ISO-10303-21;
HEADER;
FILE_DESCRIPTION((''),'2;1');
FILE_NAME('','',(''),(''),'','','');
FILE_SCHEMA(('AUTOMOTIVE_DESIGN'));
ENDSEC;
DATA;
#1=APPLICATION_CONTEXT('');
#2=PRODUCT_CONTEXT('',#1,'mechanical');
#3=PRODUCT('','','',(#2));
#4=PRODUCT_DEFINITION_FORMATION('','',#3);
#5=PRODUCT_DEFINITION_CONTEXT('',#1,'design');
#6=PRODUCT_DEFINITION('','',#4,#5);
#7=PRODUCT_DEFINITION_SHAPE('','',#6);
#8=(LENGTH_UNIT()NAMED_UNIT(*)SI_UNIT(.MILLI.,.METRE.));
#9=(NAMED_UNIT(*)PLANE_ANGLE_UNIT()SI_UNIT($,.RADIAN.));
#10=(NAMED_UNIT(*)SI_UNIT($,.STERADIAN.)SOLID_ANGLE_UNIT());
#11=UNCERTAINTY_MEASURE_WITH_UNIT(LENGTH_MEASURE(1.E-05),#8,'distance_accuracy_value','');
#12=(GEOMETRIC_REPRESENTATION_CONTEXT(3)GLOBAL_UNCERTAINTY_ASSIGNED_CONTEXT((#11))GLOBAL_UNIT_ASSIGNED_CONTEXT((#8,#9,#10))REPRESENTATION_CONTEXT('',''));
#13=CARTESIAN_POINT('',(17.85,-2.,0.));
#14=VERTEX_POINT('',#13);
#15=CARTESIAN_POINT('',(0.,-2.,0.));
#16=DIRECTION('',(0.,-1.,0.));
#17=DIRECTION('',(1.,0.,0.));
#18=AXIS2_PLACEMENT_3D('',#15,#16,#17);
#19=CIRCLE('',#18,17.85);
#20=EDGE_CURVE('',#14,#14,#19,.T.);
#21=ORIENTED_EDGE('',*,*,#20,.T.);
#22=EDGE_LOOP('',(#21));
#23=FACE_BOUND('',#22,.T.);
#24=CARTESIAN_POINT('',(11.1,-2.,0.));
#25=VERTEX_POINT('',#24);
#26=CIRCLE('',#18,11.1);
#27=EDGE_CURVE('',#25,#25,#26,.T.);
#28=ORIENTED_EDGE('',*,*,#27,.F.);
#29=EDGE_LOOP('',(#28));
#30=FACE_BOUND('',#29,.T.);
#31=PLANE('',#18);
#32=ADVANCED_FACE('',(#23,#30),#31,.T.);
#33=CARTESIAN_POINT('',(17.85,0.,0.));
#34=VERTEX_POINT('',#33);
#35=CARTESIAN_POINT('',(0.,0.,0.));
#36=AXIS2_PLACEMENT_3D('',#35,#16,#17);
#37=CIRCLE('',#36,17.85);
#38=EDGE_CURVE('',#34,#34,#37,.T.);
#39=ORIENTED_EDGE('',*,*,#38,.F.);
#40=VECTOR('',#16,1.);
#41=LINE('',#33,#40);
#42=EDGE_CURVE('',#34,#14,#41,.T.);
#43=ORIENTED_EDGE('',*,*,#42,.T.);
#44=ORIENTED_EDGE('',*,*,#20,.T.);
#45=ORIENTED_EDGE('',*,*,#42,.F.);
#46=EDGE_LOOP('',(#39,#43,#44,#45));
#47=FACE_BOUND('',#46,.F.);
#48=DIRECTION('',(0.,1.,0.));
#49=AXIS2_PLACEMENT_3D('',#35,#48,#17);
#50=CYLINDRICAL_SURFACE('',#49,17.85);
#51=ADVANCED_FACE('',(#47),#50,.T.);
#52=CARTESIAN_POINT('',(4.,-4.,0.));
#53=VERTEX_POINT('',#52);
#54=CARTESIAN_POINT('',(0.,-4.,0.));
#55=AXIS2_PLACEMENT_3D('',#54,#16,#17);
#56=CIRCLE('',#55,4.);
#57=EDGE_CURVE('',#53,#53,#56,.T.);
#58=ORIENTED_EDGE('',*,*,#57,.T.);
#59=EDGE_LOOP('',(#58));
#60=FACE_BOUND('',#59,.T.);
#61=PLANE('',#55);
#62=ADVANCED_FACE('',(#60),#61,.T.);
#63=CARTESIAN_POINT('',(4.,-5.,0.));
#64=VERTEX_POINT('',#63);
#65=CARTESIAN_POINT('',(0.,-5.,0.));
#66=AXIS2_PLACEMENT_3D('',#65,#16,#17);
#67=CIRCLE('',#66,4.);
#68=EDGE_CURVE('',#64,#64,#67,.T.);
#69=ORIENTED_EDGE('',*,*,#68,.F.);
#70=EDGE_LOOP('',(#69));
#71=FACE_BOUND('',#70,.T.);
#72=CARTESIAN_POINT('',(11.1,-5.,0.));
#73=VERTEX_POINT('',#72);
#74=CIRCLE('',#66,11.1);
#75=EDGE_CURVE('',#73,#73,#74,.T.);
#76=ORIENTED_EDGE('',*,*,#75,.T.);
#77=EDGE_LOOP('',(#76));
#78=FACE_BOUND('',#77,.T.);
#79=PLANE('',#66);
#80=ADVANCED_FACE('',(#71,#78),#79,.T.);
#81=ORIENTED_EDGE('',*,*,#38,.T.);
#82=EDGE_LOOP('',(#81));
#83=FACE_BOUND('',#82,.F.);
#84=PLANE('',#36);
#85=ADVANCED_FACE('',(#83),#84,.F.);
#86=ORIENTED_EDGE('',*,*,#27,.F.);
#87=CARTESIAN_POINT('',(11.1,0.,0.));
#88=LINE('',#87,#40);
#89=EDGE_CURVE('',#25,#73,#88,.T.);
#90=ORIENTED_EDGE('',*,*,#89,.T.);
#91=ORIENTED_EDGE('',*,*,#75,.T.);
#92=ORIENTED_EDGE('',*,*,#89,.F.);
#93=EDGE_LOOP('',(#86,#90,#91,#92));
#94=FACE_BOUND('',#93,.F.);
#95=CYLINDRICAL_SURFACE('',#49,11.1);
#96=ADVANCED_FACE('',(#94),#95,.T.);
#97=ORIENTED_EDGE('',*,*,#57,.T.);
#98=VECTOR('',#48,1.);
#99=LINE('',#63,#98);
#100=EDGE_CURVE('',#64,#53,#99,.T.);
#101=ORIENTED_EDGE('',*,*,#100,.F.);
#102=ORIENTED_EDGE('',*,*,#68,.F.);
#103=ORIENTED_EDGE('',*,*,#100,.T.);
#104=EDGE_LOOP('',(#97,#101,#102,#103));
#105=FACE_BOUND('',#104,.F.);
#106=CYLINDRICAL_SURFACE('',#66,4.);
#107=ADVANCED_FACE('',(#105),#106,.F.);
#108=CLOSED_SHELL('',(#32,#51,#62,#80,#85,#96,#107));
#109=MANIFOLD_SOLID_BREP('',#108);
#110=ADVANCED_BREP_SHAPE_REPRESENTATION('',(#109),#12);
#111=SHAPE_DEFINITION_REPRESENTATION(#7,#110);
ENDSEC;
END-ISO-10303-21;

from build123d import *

# Parameters (mm, degrees)
F0_R     = 11.1
F0_R_2   = 17.85
F1_DEPTH = 2
F2_DEPTH = 5
F3_R     = 4
F4_DEPTH = 1


with BuildPart() as f1:
    # F0 (on Front) → F1 (new body)
    with BuildSketch(Plane.XZ):
        Circle(F0_R)
        Circle(F0_R_2)
        Circle(F0_R, mode=Mode.SUBTRACT)
    extrude(amount=F1_DEPTH)

    # F0 (on Front) → F2 (join)
    with BuildSketch(Plane.XZ):
        Circle(F0_R)
    extrude(amount=F2_DEPTH)

    # F3 (on face) → F4 (cut)
    with BuildSketch(Plane.XZ.offset(5)):
        Circle(F3_R)
    extrude(amount=-F4_DEPTH, mode=Mode.SUBTRACT)


solid = f1.part
